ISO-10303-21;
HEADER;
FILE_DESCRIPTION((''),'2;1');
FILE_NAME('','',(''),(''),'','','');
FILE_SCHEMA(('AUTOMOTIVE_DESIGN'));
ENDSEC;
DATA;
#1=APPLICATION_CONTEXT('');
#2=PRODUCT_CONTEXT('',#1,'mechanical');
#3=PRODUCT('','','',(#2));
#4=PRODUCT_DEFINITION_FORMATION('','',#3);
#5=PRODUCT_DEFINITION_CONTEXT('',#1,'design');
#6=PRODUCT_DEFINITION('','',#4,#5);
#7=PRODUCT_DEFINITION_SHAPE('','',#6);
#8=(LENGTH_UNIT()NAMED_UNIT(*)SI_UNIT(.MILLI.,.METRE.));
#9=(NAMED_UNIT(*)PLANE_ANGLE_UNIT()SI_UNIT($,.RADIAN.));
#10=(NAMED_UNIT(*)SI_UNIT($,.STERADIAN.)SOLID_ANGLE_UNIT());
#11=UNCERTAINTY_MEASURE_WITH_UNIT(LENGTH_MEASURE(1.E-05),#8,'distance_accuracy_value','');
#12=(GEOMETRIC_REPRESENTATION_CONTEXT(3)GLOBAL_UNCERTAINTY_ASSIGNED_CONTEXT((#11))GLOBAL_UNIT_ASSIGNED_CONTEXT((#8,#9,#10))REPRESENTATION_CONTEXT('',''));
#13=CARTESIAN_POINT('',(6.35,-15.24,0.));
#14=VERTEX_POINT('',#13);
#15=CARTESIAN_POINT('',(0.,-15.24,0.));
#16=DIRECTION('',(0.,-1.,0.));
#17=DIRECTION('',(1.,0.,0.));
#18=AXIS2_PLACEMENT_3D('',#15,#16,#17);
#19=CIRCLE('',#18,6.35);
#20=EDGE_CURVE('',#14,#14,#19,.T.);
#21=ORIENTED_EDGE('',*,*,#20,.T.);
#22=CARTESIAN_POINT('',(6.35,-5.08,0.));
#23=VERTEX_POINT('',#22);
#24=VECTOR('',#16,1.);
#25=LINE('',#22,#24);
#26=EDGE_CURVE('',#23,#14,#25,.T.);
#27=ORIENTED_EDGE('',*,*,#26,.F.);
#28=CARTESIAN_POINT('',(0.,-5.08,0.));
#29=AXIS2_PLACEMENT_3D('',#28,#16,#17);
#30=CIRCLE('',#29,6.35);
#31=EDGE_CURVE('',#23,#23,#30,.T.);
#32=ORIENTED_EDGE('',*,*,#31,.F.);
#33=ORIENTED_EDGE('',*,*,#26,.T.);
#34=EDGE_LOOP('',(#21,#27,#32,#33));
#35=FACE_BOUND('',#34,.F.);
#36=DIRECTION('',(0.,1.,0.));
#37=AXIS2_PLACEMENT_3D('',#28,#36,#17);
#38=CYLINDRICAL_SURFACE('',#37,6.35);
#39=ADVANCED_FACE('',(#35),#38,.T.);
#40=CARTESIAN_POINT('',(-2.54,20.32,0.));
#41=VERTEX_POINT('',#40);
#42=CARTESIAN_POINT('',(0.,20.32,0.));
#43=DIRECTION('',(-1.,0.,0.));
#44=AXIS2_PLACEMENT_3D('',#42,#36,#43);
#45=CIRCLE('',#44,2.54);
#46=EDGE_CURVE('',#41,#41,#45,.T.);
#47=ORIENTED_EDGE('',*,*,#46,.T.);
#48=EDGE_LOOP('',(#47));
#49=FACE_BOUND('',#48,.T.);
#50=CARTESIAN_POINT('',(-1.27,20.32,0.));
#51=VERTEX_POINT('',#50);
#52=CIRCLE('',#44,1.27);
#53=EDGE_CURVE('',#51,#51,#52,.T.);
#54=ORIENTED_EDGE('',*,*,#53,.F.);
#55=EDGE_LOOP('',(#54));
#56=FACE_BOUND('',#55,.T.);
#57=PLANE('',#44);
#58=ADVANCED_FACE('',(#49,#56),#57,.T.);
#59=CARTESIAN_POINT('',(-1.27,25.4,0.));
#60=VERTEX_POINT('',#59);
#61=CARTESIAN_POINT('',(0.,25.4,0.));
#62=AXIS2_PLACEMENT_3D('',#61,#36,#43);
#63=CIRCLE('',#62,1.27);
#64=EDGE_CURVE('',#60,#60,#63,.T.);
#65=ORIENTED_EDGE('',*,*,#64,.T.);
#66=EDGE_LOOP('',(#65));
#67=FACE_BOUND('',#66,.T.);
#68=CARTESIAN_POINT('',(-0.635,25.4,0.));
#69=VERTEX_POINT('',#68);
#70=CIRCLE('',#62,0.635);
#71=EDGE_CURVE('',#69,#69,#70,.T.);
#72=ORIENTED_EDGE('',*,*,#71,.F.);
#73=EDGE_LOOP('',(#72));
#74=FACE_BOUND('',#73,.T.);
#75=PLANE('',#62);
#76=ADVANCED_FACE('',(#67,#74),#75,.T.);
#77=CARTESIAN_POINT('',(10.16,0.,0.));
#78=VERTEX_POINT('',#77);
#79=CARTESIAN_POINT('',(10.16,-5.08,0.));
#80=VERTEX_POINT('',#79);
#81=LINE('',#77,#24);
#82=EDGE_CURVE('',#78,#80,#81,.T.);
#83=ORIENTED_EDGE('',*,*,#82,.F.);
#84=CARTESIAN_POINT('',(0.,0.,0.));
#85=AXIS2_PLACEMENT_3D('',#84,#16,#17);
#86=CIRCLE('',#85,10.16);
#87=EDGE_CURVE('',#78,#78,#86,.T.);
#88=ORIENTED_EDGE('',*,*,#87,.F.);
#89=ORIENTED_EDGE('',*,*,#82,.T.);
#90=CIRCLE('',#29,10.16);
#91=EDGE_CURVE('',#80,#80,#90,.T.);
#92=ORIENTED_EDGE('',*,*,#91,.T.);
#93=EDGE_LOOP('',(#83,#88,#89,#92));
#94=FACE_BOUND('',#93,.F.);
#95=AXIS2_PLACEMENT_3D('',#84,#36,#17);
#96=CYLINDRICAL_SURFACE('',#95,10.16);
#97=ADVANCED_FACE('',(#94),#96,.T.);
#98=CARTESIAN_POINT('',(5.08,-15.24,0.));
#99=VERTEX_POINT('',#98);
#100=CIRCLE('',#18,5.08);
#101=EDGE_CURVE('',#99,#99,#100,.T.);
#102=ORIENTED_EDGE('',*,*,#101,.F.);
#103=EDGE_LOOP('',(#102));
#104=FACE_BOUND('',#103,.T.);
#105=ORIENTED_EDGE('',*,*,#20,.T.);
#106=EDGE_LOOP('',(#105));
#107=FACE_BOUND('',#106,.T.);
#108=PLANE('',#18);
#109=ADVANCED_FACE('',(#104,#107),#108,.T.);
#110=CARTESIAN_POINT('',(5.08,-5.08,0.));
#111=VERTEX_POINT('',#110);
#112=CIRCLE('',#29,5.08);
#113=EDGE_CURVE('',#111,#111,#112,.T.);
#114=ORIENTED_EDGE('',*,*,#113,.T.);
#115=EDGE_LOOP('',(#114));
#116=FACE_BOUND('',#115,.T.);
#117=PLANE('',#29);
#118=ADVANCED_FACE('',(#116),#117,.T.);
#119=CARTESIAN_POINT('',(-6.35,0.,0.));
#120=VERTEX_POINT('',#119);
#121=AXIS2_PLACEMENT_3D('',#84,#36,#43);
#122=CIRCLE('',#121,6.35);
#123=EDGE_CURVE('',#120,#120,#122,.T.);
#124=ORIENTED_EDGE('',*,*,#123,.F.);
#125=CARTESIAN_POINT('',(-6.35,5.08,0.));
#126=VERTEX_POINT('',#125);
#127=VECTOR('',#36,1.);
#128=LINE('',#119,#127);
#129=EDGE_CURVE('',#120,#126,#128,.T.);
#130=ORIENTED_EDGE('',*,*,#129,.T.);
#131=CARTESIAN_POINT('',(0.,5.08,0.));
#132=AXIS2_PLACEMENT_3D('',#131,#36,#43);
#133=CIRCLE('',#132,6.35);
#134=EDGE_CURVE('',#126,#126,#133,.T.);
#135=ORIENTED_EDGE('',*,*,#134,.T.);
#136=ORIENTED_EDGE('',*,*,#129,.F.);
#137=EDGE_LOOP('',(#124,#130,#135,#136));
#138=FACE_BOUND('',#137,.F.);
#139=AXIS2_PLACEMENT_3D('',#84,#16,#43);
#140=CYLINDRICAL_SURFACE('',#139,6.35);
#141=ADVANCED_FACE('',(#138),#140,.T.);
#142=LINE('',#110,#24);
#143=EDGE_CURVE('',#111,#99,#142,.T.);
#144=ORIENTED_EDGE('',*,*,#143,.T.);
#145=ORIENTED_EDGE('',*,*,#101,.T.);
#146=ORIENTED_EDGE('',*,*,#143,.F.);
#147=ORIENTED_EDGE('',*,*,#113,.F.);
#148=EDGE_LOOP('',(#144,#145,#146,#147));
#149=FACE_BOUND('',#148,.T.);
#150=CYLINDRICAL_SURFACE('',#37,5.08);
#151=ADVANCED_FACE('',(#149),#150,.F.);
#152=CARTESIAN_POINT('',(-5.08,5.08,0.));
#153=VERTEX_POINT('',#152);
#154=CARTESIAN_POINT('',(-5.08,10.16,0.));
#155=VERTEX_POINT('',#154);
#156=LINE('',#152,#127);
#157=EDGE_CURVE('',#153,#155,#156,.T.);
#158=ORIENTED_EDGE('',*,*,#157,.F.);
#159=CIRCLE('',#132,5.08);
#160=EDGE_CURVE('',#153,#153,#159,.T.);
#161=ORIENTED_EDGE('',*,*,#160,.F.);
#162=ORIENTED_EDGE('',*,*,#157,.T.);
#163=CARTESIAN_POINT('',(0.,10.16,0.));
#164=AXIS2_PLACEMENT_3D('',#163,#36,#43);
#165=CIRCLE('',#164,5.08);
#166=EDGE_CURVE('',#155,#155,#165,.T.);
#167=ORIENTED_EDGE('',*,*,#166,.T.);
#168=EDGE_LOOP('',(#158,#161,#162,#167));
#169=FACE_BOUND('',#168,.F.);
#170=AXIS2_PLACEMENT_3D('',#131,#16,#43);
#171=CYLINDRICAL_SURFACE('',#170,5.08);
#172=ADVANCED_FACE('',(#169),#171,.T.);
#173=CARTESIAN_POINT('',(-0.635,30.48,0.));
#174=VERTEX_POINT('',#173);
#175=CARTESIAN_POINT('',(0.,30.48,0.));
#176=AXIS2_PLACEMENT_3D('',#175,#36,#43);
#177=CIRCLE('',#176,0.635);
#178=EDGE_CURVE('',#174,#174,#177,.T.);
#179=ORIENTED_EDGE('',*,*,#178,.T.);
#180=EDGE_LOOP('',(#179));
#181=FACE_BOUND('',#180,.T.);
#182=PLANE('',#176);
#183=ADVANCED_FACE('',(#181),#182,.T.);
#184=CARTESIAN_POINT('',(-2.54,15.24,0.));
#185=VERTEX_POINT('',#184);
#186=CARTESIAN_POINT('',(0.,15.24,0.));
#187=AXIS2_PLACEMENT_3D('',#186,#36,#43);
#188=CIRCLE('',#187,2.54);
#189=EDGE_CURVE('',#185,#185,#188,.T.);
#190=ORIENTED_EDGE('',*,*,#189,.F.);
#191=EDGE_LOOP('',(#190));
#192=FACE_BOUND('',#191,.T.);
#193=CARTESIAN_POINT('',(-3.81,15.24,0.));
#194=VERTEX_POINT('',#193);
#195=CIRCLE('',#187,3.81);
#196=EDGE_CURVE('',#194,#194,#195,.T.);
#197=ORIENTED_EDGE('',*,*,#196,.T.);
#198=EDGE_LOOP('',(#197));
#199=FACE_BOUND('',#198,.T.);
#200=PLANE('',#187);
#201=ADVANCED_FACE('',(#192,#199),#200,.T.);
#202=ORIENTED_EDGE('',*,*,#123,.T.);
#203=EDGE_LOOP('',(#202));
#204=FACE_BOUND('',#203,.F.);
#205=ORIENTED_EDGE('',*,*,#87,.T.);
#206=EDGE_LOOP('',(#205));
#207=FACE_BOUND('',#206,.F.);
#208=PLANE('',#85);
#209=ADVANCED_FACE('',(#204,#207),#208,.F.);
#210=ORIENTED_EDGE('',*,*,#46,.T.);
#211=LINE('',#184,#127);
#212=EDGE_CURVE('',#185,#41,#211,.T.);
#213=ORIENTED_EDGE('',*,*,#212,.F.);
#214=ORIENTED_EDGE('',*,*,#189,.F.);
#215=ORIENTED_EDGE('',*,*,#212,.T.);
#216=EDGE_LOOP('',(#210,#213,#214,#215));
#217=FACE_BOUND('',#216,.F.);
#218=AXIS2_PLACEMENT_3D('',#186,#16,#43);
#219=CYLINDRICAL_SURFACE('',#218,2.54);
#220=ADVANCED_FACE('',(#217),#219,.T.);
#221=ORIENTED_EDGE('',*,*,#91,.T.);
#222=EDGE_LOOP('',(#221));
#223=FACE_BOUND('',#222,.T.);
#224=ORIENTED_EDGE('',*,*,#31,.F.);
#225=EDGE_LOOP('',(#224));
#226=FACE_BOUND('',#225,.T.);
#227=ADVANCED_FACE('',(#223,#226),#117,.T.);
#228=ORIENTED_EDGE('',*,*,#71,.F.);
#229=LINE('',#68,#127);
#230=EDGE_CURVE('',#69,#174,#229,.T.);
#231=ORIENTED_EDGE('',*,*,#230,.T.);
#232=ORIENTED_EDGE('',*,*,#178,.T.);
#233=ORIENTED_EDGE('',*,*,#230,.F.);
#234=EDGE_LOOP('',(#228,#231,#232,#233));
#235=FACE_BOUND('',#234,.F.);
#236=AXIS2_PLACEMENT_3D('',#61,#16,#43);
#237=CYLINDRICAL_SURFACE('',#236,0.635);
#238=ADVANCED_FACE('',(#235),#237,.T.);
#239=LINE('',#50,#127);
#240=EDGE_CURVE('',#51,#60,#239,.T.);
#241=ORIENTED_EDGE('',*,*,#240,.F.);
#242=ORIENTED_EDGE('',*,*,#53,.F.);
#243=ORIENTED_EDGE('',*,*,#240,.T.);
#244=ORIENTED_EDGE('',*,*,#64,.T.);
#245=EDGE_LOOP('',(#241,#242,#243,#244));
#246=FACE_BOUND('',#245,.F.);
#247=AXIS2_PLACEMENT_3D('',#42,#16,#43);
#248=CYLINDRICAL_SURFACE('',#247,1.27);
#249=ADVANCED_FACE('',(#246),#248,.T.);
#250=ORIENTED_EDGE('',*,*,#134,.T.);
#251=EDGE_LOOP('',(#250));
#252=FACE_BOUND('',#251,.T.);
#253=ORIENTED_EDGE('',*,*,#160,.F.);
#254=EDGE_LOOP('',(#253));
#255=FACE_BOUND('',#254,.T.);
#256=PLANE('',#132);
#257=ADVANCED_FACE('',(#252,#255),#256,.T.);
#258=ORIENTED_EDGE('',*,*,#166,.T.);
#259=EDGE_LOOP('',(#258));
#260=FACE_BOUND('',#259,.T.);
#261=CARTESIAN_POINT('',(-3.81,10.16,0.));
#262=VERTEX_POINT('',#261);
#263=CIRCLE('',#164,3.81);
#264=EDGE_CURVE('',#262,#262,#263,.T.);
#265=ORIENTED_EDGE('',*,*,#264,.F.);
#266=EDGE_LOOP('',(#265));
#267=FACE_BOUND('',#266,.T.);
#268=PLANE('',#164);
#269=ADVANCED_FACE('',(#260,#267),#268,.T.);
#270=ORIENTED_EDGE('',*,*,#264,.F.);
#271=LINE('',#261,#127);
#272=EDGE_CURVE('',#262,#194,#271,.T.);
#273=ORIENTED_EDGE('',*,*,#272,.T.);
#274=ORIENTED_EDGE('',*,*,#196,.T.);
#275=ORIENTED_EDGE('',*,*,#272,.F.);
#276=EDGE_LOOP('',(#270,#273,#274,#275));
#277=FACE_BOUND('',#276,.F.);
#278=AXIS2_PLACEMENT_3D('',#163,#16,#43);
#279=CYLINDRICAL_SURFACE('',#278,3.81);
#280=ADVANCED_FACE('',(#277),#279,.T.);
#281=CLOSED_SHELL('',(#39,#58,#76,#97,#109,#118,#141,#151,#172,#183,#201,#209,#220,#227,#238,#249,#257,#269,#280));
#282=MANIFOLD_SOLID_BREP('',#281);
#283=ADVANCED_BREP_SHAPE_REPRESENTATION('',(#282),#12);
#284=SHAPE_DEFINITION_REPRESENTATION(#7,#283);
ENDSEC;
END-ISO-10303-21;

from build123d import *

# Parameters (mm, degrees)
F0_R      = 10.16
F1_DEPTH  = 5.08
F2_R      = 6.35
F2_R_2    = 5.08
F3_DEPTH  = 10.16
F4_R      = 6.35
F5_DEPTH  = 5.08
F6_R      = 5.08
F7_DEPTH  = 5.08
F8_R      = 3.81
F9_DEPTH  = 5.08
F10_R     = 2.54
F11_DEPTH = 5.08
F12_R     = 1.27
F13_DEPTH = 5.08
F14_R     = 0.635
F15_DEPTH = 5.08


with BuildPart() as f1:
    # F0 (on Front) → F1 (new body)
    with BuildSketch(Plane.XZ):
        Circle(F0_R)
    extrude(amount=F1_DEPTH)

    # F2 (on face) → F3 (join)
    with BuildSketch(Plane.XZ.offset(5.08)):
        Circle(F2_R)
        Circle(F2_R_2, mode=Mode.SUBTRACT)
    extrude(amount=F3_DEPTH)

    # F4 (on face) → F5 (join)
    with BuildSketch(Plane(origin=(0, 0, 0), x_dir=(-1, 0, 0), z_dir=(0, 1, 0))):
        Circle(F4_R)
    extrude(amount=F5_DEPTH)

    # F6 (on face) → F7 (join)
    with BuildSketch(Plane(origin=(0, 5.08, 0), x_dir=(-1, 0, 0), z_dir=(0, 1, 0))):
        Circle(F6_R)
    extrude(amount=F7_DEPTH)

    # F8 (on face) → F9 (join)
    with BuildSketch(Plane(origin=(0, 10.16, 0), x_dir=(-1, 0, 0), z_dir=(0, 1, 0))):
        Circle(F8_R)
    extrude(amount=F9_DEPTH)

    # F10 (on face) → F11 (join)
    with BuildSketch(Plane(origin=(0, 15.24, 0), x_dir=(-1, 0, 0), z_dir=(0, 1, 0))):
        Circle(F10_R)
    extrude(amount=F11_DEPTH)

    # F12 (on face) → F13 (join)
    with BuildSketch(Plane(origin=(0, 20.32, 0), x_dir=(-1, 0, 0), z_dir=(0, 1, 0))):
        Circle(F12_R)
    extrude(amount=F13_DEPTH)

    # F14 (on face) → F15 (join)
    with BuildSketch(Plane(origin=(0, 25.4, 0), x_dir=(-1, 0, 0), z_dir=(0, 1, 0))):
        Circle(F14_R)
    extrude(amount=F15_DEPTH)


solid = f1.part
